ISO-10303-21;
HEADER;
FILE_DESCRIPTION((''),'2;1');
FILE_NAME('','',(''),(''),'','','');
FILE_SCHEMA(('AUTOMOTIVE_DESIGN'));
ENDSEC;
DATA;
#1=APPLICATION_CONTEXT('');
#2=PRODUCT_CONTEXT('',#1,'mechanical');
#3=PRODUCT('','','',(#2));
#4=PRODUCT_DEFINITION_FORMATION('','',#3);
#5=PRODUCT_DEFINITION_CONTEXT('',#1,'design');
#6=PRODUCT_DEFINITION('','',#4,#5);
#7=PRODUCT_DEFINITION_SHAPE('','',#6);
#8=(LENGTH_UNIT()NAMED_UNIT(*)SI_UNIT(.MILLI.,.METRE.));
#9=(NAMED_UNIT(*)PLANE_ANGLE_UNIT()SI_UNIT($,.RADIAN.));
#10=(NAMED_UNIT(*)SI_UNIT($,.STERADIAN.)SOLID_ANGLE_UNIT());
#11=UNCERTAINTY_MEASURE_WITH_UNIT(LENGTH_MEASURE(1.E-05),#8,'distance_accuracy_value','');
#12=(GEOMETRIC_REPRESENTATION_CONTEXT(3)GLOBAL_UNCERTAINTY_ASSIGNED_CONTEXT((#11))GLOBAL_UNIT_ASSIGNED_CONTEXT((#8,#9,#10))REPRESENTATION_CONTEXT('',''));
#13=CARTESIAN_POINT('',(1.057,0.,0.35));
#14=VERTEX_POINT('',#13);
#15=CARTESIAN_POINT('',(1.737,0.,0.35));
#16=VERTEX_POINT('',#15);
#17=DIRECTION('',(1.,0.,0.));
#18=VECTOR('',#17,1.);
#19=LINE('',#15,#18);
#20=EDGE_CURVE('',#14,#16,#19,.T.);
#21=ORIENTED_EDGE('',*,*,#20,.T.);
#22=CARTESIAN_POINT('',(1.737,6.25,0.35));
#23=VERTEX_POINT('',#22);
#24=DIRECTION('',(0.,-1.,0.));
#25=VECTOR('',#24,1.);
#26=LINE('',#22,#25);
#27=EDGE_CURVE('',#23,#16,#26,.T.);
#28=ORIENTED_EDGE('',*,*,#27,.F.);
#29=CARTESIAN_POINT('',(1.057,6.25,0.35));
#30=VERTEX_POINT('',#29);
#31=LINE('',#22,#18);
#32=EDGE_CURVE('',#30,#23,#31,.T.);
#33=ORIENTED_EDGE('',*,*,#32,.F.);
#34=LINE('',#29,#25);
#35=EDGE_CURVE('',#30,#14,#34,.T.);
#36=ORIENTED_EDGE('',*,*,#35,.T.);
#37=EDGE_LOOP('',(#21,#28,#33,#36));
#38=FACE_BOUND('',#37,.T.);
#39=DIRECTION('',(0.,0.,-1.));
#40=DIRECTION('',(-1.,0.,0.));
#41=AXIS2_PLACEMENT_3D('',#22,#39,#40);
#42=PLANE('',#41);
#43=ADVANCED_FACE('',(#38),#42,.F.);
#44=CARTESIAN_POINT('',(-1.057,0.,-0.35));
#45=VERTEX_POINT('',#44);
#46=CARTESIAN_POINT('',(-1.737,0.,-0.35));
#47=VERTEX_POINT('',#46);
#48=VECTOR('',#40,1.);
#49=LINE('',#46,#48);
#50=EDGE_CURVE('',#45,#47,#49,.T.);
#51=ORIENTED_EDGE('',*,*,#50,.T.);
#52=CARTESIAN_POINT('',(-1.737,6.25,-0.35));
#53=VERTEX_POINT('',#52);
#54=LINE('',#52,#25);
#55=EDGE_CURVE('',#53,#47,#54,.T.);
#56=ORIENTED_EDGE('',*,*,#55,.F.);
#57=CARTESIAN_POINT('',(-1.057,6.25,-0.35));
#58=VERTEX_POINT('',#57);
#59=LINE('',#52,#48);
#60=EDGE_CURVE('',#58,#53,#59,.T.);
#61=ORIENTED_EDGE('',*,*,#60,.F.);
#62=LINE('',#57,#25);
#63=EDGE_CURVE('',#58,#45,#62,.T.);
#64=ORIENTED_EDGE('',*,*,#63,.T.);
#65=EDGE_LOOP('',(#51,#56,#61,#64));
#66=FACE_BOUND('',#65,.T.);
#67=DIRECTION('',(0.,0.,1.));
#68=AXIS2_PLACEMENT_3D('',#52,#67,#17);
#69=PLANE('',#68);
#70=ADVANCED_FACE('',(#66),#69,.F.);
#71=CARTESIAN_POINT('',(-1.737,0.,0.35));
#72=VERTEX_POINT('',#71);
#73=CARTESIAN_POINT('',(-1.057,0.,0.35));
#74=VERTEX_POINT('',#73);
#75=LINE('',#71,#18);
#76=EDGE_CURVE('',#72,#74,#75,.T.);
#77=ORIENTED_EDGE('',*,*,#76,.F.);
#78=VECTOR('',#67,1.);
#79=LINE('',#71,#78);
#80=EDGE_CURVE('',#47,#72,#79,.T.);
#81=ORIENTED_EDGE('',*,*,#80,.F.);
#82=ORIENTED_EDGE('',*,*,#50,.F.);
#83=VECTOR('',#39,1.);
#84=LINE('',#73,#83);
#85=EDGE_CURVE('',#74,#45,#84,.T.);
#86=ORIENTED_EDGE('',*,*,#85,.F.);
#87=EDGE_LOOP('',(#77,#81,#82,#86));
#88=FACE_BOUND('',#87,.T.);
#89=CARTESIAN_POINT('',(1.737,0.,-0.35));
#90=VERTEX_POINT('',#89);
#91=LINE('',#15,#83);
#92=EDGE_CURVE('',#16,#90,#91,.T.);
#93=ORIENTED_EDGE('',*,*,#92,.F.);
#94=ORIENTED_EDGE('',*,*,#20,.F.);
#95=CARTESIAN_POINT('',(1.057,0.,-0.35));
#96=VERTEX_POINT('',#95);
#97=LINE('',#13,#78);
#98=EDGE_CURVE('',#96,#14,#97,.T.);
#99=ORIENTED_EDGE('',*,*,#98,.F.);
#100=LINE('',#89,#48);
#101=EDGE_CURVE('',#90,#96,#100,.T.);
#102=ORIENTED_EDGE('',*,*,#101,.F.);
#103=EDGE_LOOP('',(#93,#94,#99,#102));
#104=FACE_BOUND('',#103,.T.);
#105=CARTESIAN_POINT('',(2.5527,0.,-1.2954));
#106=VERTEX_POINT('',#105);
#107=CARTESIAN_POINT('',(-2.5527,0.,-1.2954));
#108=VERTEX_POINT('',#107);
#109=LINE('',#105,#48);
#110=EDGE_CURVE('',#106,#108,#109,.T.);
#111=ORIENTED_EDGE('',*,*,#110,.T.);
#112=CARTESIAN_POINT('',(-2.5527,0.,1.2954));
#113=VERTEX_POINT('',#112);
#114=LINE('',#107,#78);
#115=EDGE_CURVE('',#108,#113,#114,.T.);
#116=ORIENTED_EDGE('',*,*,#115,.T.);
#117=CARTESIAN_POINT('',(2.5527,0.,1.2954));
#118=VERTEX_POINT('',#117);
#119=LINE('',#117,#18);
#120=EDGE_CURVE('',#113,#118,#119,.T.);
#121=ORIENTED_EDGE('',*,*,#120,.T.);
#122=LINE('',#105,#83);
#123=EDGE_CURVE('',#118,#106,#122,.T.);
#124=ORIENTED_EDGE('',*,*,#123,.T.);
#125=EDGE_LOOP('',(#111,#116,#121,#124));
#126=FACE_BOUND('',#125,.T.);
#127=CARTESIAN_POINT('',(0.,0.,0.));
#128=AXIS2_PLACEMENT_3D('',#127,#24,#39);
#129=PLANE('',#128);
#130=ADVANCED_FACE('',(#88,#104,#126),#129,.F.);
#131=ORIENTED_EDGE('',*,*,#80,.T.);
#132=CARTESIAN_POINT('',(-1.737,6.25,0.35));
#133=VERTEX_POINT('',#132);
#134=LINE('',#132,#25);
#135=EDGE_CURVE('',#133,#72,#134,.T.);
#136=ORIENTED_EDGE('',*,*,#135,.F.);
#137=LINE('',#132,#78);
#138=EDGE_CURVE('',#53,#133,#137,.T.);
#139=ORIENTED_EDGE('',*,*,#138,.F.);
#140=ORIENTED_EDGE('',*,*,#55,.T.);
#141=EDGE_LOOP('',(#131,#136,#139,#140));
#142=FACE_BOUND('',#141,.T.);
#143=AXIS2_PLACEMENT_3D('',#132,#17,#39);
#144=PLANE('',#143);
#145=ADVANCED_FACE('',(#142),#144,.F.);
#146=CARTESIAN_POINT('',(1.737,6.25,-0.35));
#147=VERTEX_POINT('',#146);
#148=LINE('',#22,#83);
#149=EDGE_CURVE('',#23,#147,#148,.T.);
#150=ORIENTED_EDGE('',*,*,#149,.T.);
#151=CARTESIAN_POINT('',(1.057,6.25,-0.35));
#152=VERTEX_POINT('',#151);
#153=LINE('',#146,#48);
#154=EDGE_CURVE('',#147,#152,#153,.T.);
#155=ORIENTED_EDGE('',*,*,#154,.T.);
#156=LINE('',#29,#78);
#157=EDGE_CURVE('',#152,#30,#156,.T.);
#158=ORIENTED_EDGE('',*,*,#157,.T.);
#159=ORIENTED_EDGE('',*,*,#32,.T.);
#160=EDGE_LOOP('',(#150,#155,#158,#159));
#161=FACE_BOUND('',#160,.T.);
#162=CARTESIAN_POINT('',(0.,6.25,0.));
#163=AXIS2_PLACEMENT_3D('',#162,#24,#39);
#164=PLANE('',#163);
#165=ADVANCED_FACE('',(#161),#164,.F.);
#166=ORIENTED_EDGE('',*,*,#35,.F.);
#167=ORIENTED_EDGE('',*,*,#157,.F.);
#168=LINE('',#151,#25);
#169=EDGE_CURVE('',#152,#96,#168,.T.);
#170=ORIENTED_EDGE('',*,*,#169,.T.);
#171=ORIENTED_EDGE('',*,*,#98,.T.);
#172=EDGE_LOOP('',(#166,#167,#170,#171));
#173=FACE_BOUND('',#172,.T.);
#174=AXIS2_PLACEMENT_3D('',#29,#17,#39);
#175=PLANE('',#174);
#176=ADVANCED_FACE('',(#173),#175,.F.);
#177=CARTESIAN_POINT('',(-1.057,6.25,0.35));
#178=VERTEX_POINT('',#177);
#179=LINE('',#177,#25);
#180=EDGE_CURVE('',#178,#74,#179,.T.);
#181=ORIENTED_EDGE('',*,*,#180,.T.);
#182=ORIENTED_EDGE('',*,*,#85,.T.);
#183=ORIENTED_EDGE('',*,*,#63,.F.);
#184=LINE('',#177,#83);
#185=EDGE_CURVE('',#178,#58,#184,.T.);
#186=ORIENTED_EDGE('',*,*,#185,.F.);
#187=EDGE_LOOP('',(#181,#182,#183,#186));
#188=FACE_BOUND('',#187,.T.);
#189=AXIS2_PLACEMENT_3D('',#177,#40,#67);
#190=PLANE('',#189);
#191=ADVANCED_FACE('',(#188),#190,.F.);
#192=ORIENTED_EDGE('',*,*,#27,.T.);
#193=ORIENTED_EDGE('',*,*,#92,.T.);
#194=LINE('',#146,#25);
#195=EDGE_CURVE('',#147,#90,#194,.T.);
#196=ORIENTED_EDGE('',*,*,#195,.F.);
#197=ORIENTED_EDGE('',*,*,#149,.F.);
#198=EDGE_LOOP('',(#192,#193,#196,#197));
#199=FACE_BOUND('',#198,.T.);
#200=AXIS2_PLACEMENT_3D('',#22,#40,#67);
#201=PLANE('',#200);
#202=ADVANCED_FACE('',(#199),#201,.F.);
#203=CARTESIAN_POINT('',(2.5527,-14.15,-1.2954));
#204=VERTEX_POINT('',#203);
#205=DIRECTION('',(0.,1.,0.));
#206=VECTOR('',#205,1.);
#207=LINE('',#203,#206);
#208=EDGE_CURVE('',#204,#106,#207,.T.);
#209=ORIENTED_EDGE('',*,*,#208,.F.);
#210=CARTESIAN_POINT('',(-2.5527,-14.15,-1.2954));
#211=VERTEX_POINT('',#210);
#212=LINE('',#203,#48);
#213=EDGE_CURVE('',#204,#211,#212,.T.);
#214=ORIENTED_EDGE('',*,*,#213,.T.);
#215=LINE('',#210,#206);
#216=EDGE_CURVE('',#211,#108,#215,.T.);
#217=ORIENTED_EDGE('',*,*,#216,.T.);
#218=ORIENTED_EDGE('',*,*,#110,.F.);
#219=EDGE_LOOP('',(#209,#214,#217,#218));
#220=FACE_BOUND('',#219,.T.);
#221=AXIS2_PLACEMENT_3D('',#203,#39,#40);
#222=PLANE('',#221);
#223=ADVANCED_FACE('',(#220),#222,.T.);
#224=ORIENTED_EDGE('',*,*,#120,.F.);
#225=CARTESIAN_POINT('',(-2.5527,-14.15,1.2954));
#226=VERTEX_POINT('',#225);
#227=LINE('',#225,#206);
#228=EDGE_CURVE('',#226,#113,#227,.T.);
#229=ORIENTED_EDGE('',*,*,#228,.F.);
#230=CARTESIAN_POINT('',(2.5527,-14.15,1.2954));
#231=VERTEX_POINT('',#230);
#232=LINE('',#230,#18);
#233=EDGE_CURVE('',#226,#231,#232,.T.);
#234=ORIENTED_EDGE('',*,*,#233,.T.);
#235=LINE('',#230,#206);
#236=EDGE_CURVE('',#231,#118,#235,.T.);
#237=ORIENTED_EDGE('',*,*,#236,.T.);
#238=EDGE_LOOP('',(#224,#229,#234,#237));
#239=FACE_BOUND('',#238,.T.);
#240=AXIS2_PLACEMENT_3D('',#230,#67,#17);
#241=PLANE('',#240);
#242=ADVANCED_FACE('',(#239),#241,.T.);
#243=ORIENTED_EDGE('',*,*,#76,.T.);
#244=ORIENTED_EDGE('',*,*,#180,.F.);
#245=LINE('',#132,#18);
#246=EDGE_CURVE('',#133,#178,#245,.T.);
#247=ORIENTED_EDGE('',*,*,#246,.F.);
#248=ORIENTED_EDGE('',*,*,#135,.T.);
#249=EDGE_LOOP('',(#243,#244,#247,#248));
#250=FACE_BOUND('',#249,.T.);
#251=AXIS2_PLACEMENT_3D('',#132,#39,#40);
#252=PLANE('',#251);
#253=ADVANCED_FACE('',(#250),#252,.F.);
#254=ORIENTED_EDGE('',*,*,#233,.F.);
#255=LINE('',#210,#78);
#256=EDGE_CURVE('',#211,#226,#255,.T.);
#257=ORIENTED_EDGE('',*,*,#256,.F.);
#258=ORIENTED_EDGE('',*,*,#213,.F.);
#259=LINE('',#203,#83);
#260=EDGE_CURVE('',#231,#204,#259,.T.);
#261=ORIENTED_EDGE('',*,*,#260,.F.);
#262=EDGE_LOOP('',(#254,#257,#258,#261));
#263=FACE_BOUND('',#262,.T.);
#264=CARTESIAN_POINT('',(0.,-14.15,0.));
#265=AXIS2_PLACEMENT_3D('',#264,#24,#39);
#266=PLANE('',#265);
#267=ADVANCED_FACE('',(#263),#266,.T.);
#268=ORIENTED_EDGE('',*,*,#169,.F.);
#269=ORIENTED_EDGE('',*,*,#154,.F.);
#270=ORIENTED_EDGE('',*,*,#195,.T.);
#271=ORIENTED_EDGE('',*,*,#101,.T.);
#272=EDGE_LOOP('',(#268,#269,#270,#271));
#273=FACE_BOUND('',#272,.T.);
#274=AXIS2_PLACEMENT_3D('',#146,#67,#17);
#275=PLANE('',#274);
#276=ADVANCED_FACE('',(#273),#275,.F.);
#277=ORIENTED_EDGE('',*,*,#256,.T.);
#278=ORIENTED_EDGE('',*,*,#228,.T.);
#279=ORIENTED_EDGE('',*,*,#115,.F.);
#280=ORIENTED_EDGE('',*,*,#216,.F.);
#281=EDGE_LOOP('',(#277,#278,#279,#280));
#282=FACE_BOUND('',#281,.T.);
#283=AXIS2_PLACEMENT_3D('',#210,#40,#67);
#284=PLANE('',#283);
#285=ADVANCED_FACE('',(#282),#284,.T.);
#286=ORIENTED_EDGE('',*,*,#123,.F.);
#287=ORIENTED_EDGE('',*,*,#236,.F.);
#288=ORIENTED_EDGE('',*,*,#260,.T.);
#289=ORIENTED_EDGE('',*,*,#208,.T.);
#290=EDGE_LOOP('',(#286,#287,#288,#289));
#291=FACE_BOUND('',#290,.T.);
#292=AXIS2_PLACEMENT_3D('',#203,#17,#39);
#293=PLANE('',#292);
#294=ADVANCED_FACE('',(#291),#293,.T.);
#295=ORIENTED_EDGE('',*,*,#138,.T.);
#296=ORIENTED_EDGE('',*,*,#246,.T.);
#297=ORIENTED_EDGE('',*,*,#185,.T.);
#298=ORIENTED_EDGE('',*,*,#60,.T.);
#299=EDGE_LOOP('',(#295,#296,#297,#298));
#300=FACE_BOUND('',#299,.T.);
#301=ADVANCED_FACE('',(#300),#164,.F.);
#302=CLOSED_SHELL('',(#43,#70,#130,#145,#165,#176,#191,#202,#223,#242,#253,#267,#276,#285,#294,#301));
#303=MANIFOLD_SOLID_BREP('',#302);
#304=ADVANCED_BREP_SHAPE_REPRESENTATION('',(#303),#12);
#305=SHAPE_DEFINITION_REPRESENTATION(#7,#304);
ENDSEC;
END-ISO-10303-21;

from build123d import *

# Parameters (mm, degrees)
SKETCH1_W           = 5.1054
SKETCH1_H           = 2.5908
BOSS_EXTRUDE1_DEPTH = 14.15
SKETCH2_W           = 0.68
SKETCH2_H           = 0.7
BOSS_EXTRUDE2_DEPTH = 6.25


with BuildPart() as part:
    # Sketch1 → Boss-Extrude1 (new body)
    with BuildSketch(Plane(origin=(0, 0, 0), x_dir=(1, 0, 0), z_dir=(0, 1, 0))):
        Rectangle(SKETCH1_W, SKETCH1_H)
    extrude(amount=-BOSS_EXTRUDE1_DEPTH)

    # Sketch2 → Boss-Extrude2 (add)
    with BuildSketch(Plane(origin=(0, 0, 0), x_dir=(1, 0, 0), z_dir=(0, 1, 0))):
        with Locations((-1.397, 0)):
            Rectangle(SKETCH2_W, SKETCH2_H)
        with Locations((1.397, 0)):
            Rectangle(SKETCH2_W, SKETCH2_H)
    extrude(amount=BOSS_EXTRUDE2_DEPTH)


solid = part.part
